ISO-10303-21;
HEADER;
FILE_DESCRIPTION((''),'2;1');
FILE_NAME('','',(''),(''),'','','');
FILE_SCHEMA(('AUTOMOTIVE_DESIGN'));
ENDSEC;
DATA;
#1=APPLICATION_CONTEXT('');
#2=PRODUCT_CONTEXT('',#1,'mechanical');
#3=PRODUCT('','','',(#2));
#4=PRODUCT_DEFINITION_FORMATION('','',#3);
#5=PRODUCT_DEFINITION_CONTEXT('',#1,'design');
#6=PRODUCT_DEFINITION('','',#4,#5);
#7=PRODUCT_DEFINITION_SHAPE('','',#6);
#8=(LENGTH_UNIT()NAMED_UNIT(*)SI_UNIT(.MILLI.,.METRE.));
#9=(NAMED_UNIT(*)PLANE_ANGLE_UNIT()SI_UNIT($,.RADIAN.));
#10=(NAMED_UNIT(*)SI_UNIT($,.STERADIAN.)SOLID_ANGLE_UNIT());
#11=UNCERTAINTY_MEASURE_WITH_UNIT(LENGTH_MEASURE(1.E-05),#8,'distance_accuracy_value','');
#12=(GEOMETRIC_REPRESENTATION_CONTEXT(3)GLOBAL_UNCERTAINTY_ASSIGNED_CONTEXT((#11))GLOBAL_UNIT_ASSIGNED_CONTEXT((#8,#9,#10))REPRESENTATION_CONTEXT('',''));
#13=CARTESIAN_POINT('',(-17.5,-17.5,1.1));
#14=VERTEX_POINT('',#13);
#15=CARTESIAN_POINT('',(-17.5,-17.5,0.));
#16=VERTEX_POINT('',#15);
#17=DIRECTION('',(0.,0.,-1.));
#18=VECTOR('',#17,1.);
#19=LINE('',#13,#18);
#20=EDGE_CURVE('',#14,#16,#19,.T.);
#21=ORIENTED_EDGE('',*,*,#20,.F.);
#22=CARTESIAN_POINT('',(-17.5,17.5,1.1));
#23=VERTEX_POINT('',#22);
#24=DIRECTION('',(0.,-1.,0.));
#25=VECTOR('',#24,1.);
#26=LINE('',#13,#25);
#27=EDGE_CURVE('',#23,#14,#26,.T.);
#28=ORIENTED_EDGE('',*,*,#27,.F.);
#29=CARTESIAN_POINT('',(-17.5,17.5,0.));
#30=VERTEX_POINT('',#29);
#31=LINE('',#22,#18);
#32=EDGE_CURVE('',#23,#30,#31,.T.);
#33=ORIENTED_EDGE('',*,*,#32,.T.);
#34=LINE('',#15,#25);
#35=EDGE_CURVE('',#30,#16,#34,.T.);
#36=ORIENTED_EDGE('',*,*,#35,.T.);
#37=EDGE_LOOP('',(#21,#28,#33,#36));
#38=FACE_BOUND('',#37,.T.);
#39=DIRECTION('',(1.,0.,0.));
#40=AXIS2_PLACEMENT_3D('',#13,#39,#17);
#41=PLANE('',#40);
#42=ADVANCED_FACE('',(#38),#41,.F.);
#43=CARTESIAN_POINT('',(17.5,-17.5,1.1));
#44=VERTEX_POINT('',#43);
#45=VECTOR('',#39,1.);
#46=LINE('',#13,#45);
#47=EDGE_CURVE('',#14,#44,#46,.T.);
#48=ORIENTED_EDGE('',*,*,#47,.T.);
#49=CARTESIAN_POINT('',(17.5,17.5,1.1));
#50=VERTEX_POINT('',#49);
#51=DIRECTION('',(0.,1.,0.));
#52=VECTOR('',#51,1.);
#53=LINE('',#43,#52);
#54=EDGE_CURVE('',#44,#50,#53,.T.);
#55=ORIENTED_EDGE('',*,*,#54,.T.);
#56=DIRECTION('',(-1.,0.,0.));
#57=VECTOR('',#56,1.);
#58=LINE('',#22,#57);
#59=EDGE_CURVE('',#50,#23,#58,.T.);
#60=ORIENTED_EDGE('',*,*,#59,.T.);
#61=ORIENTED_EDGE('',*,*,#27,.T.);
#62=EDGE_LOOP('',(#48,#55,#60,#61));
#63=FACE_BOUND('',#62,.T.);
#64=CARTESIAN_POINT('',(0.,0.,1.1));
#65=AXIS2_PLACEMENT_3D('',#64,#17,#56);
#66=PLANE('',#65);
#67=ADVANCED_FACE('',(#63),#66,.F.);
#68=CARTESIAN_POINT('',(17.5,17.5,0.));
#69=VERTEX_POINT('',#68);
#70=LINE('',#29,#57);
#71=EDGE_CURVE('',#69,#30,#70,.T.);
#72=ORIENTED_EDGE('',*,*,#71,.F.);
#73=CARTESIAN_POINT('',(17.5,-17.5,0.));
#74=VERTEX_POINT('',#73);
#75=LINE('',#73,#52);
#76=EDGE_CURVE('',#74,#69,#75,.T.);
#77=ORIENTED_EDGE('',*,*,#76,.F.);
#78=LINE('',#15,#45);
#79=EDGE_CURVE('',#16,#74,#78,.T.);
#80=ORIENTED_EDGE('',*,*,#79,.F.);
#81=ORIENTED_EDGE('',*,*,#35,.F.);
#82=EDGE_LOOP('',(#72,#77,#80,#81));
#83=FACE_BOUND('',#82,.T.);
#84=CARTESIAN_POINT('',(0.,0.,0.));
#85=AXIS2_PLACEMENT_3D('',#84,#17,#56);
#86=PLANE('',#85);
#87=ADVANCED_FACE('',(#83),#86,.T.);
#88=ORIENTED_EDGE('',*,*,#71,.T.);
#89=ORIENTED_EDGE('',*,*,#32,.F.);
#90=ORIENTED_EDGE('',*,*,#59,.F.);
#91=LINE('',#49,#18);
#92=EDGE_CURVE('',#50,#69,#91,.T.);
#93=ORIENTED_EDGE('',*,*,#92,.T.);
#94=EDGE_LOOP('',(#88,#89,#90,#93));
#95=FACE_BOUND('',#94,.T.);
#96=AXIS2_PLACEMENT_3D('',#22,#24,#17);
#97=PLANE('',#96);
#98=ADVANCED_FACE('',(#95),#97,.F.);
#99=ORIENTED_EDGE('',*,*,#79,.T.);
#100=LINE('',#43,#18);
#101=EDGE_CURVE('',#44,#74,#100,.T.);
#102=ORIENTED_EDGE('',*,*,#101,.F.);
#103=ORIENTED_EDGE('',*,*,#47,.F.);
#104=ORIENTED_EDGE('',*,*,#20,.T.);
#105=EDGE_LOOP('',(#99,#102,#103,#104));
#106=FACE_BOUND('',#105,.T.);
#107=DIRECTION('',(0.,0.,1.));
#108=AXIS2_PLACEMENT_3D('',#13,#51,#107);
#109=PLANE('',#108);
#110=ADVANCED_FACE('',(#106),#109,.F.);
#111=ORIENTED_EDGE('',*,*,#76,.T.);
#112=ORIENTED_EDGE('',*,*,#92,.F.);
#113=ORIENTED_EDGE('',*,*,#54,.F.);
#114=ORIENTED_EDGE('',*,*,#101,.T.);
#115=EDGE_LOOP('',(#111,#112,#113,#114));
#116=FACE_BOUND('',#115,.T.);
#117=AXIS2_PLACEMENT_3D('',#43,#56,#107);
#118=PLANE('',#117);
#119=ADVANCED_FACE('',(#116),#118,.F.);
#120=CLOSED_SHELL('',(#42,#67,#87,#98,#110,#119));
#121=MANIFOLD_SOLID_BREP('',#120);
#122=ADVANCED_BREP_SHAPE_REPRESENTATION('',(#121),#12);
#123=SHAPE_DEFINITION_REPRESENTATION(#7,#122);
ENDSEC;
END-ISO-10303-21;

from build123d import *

# Parameters (mm, degrees)
SKETCH_1_W      = 35
SKETCH_1_H      = 35
EXTRUDE_1_DEPTH = 1.1


with BuildPart() as part:
    # 草图1 → 凸台-拉伸1 (new body)
    with BuildSketch(Plane.XY):
        Rectangle(SKETCH_1_W, SKETCH_1_H)
    extrude(amount=EXTRUDE_1_DEPTH)


solid = part.part
